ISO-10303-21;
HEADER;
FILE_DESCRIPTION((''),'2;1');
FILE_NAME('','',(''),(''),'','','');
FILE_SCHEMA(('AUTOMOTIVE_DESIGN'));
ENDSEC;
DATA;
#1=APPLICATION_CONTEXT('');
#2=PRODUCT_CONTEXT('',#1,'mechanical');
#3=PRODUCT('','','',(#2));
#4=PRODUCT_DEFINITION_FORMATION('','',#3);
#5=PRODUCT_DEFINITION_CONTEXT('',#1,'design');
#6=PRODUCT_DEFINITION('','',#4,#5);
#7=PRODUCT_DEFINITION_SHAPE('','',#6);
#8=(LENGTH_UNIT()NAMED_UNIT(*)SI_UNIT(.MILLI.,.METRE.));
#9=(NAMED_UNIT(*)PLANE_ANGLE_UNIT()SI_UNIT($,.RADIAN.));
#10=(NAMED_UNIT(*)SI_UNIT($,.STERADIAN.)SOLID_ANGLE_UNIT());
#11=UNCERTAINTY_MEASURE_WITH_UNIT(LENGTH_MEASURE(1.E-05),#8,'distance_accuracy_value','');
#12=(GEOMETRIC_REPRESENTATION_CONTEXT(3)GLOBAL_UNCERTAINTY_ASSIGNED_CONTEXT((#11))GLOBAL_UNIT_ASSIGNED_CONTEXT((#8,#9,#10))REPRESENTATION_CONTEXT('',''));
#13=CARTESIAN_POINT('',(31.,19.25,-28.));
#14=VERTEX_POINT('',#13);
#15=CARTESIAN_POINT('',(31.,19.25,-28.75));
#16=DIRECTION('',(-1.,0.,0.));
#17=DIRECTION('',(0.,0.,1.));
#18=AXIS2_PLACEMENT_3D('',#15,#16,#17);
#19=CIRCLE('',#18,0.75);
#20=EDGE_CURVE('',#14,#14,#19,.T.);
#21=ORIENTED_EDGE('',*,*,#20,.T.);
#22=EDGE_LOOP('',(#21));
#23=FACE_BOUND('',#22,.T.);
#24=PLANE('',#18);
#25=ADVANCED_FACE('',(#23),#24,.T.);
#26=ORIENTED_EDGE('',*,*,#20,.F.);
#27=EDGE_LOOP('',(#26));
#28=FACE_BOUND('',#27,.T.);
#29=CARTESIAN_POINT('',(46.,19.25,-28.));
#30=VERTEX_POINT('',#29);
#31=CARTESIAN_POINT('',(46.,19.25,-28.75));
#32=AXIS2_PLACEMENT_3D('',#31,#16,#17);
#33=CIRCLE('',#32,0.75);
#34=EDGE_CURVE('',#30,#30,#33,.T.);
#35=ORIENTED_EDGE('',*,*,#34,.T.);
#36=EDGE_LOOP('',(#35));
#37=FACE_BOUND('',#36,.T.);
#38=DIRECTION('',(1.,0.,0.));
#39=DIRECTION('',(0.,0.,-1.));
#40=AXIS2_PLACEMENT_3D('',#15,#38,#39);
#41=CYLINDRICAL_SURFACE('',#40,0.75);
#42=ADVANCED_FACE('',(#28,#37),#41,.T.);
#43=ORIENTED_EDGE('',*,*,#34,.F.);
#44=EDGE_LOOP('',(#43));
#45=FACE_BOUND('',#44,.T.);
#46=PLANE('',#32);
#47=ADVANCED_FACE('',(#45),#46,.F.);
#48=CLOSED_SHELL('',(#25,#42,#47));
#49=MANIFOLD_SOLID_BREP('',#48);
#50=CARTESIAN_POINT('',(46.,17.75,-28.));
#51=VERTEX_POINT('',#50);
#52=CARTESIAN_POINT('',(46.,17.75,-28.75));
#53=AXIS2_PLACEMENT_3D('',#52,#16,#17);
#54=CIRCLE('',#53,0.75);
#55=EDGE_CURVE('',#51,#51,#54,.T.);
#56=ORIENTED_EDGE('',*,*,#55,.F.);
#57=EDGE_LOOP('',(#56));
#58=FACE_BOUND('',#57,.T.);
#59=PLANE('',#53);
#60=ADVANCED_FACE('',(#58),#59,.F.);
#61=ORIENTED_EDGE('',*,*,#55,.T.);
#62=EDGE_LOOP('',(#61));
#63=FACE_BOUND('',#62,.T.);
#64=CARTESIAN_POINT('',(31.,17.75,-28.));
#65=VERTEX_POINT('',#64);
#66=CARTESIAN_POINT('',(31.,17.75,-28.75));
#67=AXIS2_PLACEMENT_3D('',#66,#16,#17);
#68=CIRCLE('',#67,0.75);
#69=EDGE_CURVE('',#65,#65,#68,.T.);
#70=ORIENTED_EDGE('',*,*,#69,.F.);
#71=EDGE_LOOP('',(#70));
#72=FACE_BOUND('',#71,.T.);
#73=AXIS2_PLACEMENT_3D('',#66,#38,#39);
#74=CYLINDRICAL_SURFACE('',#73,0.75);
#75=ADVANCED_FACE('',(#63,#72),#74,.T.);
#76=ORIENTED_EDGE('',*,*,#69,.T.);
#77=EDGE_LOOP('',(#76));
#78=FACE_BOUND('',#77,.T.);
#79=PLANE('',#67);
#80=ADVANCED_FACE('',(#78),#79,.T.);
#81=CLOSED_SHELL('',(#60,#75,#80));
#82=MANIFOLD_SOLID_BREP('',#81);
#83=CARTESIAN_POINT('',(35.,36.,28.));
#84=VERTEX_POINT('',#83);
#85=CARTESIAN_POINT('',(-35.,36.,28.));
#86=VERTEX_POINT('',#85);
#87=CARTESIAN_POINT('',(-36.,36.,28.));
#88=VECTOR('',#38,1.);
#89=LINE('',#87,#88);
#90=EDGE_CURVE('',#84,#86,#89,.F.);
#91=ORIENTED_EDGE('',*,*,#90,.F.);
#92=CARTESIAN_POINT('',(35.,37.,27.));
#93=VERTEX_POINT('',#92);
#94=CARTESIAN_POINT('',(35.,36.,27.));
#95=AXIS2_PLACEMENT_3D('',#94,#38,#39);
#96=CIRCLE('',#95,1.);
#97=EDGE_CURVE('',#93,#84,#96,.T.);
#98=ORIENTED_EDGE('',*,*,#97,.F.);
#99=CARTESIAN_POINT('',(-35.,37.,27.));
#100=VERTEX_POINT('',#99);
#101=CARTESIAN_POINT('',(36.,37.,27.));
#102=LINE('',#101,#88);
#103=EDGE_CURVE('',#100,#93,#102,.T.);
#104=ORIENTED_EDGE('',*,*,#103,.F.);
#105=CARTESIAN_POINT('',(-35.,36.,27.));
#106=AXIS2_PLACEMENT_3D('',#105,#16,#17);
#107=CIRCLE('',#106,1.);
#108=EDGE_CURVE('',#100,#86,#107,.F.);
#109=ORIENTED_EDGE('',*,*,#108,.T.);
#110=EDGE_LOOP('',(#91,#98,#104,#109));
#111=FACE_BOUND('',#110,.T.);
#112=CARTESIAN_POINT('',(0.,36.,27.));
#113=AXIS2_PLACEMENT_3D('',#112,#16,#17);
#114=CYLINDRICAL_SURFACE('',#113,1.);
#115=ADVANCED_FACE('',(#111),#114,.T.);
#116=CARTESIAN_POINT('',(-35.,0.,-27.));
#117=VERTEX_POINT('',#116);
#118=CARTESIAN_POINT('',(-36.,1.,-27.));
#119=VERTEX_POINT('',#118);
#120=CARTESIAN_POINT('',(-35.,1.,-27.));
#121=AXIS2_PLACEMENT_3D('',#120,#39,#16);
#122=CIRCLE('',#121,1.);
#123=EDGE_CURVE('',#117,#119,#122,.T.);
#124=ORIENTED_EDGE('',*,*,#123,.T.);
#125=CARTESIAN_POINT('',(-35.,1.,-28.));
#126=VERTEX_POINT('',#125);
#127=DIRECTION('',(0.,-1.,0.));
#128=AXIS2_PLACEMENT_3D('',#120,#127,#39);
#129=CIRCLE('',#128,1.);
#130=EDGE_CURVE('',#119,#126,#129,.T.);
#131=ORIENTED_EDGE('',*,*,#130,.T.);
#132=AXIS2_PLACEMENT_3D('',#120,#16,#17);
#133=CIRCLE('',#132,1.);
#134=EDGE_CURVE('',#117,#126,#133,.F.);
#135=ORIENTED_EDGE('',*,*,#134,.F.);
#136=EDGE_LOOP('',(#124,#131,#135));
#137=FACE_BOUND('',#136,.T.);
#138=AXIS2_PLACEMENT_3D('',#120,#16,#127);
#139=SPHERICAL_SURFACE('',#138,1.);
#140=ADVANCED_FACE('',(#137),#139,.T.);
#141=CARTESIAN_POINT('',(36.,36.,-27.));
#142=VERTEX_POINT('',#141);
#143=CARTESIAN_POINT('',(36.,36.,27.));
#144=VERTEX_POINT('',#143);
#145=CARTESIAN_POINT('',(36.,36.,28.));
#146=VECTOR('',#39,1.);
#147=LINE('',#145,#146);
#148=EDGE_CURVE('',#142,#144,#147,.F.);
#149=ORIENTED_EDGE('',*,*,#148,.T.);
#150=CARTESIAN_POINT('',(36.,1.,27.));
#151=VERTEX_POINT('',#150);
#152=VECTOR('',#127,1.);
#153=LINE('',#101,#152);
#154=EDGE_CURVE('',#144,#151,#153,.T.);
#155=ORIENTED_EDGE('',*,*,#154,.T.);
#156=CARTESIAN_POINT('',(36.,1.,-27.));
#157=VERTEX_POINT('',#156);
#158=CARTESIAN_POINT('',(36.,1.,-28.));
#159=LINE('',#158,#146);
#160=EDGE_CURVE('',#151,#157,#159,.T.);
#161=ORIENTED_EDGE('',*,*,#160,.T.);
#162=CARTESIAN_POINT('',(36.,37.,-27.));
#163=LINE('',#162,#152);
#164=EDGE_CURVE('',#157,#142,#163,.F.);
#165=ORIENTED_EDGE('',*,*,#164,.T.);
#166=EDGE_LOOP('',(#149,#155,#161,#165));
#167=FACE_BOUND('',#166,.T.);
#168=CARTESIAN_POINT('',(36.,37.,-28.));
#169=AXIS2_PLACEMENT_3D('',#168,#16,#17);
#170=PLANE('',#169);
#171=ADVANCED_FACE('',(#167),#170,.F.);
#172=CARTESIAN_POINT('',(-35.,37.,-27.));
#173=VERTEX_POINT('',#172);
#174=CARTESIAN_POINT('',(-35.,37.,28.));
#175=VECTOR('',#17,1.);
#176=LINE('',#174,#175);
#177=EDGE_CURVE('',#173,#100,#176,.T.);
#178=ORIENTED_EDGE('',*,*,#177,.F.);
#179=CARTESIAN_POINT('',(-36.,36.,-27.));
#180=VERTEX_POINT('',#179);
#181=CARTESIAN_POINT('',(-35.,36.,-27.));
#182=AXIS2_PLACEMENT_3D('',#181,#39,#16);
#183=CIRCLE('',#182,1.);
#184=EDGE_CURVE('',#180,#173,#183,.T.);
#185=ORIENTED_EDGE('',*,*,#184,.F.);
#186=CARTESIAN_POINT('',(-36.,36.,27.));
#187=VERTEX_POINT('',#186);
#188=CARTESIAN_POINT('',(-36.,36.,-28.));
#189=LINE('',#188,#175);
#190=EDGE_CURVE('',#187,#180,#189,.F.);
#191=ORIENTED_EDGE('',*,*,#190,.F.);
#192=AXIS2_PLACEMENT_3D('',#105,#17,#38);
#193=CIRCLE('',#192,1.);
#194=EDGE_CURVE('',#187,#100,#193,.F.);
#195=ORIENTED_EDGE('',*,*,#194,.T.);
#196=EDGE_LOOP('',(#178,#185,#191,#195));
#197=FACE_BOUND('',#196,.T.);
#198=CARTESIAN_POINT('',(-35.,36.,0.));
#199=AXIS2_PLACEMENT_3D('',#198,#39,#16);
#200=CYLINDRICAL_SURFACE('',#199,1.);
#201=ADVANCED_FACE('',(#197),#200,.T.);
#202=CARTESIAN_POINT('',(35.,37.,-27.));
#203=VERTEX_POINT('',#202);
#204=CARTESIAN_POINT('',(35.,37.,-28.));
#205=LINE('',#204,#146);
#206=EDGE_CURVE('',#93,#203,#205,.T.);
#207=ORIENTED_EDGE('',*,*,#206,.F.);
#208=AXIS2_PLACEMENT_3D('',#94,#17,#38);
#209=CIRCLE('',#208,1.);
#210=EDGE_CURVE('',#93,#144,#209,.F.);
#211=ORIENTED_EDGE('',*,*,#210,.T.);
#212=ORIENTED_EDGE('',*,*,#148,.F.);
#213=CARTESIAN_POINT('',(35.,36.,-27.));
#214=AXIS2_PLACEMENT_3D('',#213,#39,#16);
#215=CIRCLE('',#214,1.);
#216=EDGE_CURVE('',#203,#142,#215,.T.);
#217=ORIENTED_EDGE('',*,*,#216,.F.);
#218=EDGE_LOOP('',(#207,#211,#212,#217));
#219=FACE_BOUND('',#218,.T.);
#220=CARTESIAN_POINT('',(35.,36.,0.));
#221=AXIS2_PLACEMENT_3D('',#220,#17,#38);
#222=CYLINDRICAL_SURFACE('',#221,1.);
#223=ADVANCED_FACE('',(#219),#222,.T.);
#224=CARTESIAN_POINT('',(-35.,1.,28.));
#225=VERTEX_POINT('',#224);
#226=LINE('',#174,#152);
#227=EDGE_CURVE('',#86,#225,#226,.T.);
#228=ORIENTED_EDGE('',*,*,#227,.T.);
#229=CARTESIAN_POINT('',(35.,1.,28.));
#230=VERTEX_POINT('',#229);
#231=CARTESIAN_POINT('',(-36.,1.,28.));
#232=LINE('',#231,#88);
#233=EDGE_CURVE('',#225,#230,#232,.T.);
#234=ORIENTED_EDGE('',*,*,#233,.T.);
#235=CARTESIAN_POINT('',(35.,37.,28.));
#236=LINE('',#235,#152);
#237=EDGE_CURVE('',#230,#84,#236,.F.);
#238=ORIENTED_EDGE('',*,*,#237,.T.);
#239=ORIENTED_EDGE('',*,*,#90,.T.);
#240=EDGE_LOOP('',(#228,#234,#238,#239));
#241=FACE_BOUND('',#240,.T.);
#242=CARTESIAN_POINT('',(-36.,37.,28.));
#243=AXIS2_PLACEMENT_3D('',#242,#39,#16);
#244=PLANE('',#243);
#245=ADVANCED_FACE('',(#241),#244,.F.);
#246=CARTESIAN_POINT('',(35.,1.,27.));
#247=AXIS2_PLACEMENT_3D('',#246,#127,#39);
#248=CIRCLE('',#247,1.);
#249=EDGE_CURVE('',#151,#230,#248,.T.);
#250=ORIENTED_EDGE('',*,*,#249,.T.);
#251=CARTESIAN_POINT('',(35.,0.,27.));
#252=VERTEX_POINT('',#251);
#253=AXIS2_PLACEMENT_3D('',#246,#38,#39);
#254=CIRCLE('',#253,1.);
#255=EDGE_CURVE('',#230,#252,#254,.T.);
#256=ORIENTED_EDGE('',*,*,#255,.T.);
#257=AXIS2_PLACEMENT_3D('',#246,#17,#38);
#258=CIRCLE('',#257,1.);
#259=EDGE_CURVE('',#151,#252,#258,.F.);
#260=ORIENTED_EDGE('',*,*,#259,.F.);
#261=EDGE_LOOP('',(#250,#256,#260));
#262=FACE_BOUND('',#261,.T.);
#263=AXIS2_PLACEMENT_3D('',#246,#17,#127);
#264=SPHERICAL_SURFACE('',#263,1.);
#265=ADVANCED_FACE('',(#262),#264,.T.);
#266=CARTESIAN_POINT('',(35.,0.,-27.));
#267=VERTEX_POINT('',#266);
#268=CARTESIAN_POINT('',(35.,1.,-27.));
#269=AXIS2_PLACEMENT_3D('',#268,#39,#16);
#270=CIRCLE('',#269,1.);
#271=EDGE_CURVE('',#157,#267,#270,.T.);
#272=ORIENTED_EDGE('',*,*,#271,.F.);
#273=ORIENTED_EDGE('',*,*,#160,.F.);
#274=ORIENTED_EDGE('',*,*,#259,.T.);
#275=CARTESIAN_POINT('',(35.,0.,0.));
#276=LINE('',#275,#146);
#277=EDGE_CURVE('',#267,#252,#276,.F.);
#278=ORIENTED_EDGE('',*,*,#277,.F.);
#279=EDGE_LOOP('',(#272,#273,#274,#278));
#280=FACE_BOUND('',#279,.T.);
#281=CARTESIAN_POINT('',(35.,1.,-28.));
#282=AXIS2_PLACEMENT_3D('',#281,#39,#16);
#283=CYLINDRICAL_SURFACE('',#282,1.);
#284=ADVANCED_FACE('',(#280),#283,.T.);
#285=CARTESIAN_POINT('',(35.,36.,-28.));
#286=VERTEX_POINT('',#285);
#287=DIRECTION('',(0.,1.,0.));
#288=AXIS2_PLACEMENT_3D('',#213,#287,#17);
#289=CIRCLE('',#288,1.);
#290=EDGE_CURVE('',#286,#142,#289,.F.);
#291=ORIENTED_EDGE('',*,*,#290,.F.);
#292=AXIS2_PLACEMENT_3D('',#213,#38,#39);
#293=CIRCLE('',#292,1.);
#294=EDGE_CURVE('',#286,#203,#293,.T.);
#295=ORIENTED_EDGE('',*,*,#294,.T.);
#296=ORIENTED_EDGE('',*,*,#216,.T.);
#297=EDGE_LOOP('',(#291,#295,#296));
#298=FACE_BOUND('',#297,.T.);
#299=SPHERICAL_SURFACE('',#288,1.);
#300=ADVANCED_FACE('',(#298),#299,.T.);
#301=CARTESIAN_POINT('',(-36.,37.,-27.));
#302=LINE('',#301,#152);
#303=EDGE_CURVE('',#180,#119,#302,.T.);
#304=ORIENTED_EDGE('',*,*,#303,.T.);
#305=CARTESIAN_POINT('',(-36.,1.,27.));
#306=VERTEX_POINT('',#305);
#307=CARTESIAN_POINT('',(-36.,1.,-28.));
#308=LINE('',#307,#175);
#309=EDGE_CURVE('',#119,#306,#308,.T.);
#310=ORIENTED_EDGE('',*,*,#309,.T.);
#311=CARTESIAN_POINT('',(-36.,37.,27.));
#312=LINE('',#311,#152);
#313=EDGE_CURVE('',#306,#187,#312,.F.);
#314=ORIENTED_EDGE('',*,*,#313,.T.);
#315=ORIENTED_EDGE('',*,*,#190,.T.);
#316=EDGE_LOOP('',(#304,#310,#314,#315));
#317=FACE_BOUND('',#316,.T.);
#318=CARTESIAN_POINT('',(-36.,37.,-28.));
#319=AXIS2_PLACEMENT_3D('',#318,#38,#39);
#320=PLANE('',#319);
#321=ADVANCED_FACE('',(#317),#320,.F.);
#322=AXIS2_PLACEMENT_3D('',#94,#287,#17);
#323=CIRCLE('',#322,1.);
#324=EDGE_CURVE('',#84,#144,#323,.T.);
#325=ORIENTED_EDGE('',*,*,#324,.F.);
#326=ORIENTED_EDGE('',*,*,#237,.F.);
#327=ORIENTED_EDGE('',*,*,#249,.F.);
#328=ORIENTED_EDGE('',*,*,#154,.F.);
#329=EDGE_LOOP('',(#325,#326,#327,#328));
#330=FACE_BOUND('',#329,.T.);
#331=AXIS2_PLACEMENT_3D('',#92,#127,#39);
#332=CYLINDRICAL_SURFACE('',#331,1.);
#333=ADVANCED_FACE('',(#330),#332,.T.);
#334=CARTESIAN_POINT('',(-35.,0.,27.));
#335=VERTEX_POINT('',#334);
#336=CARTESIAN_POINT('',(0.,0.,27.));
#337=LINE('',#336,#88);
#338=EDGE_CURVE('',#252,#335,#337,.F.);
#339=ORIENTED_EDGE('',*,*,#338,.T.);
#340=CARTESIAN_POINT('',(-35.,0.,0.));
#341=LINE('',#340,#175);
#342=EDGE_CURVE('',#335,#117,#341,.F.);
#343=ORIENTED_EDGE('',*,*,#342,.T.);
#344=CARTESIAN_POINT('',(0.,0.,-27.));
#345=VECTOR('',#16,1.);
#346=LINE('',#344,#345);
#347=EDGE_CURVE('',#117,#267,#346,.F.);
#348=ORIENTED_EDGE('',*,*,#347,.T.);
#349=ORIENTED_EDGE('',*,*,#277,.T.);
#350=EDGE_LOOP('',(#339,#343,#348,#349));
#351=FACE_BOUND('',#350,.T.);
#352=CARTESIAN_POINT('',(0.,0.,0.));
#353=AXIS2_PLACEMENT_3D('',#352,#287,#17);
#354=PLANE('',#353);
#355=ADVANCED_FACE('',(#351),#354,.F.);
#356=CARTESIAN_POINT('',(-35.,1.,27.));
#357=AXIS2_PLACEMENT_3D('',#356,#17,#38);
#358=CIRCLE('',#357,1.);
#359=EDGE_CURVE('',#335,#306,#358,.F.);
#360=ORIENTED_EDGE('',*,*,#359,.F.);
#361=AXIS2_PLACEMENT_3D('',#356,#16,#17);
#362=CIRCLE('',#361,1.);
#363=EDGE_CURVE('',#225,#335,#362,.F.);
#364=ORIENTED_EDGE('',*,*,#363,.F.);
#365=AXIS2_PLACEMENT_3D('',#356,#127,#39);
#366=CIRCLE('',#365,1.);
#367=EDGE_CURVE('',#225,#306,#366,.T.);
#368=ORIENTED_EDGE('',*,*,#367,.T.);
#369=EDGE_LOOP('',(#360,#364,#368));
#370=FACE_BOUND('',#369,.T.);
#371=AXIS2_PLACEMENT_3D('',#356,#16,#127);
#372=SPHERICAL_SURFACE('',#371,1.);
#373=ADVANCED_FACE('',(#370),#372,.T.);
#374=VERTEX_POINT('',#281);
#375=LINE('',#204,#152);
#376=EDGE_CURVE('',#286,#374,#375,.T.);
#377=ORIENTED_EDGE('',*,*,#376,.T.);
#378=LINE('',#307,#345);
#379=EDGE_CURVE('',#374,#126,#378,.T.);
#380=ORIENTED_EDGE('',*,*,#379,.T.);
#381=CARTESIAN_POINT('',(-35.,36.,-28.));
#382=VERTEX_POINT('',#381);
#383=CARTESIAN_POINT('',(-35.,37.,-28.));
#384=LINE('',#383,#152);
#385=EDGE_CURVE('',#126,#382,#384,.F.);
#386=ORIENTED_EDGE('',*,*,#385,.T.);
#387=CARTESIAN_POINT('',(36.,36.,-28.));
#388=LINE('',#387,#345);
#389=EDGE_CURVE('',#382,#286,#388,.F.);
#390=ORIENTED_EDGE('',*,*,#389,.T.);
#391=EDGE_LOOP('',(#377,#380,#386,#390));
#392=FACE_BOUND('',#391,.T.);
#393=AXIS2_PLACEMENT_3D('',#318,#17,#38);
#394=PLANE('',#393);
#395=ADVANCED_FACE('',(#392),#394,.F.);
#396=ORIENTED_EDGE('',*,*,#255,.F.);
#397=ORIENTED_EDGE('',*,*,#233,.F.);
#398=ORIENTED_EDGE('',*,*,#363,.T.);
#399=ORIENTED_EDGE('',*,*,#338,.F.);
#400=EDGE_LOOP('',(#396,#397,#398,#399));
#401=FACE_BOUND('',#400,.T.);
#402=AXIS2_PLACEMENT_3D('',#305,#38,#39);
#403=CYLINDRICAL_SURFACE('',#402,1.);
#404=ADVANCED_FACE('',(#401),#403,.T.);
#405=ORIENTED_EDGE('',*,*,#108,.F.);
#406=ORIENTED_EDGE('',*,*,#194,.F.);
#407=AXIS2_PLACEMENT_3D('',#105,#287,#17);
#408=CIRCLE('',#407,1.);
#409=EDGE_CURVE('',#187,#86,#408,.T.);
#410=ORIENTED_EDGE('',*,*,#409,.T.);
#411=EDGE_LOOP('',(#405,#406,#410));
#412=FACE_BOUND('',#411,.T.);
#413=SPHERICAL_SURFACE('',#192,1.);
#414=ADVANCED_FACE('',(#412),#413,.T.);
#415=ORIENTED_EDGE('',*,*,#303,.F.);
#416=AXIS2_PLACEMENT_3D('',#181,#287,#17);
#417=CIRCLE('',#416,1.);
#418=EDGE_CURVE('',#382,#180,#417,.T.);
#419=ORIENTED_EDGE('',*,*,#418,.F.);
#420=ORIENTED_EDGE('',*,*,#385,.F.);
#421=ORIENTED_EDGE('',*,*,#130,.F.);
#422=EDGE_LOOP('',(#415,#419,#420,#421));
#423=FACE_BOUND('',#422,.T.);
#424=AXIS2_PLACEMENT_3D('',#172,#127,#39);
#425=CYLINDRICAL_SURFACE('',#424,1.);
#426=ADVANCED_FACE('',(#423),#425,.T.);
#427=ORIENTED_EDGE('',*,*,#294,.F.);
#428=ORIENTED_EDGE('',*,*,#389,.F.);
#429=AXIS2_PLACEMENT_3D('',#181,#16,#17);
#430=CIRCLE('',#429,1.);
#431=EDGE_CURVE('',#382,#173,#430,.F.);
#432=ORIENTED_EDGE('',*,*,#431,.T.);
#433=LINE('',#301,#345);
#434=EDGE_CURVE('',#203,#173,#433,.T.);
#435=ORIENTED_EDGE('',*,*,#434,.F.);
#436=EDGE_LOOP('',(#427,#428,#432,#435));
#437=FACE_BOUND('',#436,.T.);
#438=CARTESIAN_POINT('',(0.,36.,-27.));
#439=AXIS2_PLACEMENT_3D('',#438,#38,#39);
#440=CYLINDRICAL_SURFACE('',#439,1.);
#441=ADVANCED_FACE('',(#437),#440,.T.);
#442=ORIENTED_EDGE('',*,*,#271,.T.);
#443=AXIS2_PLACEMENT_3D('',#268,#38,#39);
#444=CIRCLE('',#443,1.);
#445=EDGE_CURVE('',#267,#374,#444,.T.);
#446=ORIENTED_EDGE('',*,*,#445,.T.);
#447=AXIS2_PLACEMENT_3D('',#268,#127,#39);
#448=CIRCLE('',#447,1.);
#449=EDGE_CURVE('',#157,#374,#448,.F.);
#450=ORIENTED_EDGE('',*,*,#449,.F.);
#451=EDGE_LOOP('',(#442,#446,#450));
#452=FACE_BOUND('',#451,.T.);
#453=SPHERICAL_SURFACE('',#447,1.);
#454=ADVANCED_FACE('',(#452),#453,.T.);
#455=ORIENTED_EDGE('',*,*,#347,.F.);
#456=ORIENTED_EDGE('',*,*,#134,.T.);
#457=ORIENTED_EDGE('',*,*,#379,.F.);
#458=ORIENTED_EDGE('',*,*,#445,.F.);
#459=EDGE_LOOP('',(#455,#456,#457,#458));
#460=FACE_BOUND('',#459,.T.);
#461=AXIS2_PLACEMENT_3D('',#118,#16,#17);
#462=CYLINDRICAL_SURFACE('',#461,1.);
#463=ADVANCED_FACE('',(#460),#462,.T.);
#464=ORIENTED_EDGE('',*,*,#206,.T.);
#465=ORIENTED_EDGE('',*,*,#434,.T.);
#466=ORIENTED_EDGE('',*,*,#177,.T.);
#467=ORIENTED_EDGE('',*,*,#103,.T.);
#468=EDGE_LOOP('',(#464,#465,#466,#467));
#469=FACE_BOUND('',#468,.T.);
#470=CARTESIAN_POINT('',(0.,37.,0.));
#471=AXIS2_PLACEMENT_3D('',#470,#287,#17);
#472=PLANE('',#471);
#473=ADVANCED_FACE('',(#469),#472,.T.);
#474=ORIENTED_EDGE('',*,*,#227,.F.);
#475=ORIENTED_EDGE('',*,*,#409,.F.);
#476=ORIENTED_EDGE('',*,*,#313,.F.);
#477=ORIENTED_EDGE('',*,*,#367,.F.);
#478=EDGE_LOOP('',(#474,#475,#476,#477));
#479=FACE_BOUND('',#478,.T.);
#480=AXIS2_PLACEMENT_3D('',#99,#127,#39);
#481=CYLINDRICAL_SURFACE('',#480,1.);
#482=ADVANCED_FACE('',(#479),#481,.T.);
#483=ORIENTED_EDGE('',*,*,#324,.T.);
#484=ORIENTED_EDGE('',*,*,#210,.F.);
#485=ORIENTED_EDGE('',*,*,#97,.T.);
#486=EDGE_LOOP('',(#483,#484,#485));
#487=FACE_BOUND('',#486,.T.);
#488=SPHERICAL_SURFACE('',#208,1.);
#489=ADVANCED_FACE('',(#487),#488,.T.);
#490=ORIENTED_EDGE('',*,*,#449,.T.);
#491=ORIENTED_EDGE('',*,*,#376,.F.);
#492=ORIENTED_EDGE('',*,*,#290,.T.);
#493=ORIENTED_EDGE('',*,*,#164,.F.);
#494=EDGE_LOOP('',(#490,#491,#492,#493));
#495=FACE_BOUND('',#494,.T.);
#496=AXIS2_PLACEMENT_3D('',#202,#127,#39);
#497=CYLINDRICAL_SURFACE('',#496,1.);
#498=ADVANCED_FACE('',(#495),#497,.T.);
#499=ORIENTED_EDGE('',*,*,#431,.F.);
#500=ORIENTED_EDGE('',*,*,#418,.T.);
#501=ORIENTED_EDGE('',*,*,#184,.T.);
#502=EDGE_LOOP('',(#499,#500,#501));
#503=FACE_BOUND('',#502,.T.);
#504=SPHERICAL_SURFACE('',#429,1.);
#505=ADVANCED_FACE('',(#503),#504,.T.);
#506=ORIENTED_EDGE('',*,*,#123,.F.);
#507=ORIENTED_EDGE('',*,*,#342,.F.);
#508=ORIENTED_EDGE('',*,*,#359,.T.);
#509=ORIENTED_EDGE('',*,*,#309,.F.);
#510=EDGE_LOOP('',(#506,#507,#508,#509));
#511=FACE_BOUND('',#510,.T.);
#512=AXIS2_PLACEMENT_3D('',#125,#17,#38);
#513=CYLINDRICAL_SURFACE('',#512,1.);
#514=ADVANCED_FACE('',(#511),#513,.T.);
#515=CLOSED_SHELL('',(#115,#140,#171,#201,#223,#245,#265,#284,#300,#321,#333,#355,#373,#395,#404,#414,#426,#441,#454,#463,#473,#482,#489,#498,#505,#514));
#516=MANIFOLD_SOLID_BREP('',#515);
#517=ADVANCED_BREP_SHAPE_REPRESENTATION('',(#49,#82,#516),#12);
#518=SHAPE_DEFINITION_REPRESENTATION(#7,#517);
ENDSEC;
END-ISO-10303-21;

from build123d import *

# Parameters (mm, degrees)
SKETCH1_W                  = 72
SKETCH1_H                  = 56
BOSS_EXTRUDE1_DEPTH        = 37
BOSS_EXTRUDE2_DEPTH        = 10
BOSS_EXTRUDE2_DEPTH_BACK   = 5
BOSS_EXTRUDE2_START        = 36
SKETCH2_R                  = 0.75
BOSS_EXTRUDE2_2_DEPTH      = 10
BOSS_EXTRUDE2_2_DEPTH_BACK = 5
BOSS_EXTRUDE2_2_START      = 36
FILLET1_R                  = 1


with BuildPart() as part:
    # Sketch1 → Boss-Extrude1 (new body)
    with BuildSketch(Plane(origin=(0, 0, 0), x_dir=(1, 0, 0), z_dir=(0, 1, 0))):
        Rectangle(SKETCH1_W, SKETCH1_H)
    extrude(amount=BOSS_EXTRUDE1_DEPTH)

    # Fillet1
    fillet1_edges = [part.edges().sort_by_distance(p)[0] for p in [
        (-36, 37, 0),
        (0, 37, 28),
        (36, 37, 0),
        (0, 0, 28),
        (-36, 0, 0),
        (0, 0, -28),
        (36, 0, 0),
        (36, 18.5, 28),
        (-36, 18.5, 28),
        (-36, 18.5, -28),
        (36, 18.5, -28),
        (0, 37, -28),
    ]]
    fillet(fillet1_edges, radius=FILLET1_R)


with BuildPart() as body_2:
    # Sketch2 → Boss-Extrude2 (new, two sides: drawn at the far end of the back side and taken through both)
    with BuildSketch(Plane(origin=(0, 0, 0), x_dir=(0, 0, -1), z_dir=(1, 0, 0)).offset(BOSS_EXTRUDE2_START - BOSS_EXTRUDE2_DEPTH_BACK)):
        with Locations(Location((28.75, 19.25, 0), (0, 0, 180))):
            Circle(SKETCH2_R)
    extrude(amount=BOSS_EXTRUDE2_DEPTH + BOSS_EXTRUDE2_DEPTH_BACK)


with BuildPart() as body_3:
    # Sketch2 → Boss-Extrude2 2 (new, two sides: drawn at the far end of the back side and taken through both)
    with BuildSketch(Plane(origin=(0, 0, 0), x_dir=(0, 0, -1), z_dir=(1, 0, 0)).offset(BOSS_EXTRUDE2_2_START - BOSS_EXTRUDE2_2_DEPTH_BACK)):
        with Locations(Location((28.75, 17.75, 0), (0, 0, 180))):
            Circle(SKETCH2_R)
    extrude(amount=BOSS_EXTRUDE2_2_DEPTH + BOSS_EXTRUDE2_2_DEPTH_BACK)


solid = Compound([part.part, body_2.part, body_3.part])
